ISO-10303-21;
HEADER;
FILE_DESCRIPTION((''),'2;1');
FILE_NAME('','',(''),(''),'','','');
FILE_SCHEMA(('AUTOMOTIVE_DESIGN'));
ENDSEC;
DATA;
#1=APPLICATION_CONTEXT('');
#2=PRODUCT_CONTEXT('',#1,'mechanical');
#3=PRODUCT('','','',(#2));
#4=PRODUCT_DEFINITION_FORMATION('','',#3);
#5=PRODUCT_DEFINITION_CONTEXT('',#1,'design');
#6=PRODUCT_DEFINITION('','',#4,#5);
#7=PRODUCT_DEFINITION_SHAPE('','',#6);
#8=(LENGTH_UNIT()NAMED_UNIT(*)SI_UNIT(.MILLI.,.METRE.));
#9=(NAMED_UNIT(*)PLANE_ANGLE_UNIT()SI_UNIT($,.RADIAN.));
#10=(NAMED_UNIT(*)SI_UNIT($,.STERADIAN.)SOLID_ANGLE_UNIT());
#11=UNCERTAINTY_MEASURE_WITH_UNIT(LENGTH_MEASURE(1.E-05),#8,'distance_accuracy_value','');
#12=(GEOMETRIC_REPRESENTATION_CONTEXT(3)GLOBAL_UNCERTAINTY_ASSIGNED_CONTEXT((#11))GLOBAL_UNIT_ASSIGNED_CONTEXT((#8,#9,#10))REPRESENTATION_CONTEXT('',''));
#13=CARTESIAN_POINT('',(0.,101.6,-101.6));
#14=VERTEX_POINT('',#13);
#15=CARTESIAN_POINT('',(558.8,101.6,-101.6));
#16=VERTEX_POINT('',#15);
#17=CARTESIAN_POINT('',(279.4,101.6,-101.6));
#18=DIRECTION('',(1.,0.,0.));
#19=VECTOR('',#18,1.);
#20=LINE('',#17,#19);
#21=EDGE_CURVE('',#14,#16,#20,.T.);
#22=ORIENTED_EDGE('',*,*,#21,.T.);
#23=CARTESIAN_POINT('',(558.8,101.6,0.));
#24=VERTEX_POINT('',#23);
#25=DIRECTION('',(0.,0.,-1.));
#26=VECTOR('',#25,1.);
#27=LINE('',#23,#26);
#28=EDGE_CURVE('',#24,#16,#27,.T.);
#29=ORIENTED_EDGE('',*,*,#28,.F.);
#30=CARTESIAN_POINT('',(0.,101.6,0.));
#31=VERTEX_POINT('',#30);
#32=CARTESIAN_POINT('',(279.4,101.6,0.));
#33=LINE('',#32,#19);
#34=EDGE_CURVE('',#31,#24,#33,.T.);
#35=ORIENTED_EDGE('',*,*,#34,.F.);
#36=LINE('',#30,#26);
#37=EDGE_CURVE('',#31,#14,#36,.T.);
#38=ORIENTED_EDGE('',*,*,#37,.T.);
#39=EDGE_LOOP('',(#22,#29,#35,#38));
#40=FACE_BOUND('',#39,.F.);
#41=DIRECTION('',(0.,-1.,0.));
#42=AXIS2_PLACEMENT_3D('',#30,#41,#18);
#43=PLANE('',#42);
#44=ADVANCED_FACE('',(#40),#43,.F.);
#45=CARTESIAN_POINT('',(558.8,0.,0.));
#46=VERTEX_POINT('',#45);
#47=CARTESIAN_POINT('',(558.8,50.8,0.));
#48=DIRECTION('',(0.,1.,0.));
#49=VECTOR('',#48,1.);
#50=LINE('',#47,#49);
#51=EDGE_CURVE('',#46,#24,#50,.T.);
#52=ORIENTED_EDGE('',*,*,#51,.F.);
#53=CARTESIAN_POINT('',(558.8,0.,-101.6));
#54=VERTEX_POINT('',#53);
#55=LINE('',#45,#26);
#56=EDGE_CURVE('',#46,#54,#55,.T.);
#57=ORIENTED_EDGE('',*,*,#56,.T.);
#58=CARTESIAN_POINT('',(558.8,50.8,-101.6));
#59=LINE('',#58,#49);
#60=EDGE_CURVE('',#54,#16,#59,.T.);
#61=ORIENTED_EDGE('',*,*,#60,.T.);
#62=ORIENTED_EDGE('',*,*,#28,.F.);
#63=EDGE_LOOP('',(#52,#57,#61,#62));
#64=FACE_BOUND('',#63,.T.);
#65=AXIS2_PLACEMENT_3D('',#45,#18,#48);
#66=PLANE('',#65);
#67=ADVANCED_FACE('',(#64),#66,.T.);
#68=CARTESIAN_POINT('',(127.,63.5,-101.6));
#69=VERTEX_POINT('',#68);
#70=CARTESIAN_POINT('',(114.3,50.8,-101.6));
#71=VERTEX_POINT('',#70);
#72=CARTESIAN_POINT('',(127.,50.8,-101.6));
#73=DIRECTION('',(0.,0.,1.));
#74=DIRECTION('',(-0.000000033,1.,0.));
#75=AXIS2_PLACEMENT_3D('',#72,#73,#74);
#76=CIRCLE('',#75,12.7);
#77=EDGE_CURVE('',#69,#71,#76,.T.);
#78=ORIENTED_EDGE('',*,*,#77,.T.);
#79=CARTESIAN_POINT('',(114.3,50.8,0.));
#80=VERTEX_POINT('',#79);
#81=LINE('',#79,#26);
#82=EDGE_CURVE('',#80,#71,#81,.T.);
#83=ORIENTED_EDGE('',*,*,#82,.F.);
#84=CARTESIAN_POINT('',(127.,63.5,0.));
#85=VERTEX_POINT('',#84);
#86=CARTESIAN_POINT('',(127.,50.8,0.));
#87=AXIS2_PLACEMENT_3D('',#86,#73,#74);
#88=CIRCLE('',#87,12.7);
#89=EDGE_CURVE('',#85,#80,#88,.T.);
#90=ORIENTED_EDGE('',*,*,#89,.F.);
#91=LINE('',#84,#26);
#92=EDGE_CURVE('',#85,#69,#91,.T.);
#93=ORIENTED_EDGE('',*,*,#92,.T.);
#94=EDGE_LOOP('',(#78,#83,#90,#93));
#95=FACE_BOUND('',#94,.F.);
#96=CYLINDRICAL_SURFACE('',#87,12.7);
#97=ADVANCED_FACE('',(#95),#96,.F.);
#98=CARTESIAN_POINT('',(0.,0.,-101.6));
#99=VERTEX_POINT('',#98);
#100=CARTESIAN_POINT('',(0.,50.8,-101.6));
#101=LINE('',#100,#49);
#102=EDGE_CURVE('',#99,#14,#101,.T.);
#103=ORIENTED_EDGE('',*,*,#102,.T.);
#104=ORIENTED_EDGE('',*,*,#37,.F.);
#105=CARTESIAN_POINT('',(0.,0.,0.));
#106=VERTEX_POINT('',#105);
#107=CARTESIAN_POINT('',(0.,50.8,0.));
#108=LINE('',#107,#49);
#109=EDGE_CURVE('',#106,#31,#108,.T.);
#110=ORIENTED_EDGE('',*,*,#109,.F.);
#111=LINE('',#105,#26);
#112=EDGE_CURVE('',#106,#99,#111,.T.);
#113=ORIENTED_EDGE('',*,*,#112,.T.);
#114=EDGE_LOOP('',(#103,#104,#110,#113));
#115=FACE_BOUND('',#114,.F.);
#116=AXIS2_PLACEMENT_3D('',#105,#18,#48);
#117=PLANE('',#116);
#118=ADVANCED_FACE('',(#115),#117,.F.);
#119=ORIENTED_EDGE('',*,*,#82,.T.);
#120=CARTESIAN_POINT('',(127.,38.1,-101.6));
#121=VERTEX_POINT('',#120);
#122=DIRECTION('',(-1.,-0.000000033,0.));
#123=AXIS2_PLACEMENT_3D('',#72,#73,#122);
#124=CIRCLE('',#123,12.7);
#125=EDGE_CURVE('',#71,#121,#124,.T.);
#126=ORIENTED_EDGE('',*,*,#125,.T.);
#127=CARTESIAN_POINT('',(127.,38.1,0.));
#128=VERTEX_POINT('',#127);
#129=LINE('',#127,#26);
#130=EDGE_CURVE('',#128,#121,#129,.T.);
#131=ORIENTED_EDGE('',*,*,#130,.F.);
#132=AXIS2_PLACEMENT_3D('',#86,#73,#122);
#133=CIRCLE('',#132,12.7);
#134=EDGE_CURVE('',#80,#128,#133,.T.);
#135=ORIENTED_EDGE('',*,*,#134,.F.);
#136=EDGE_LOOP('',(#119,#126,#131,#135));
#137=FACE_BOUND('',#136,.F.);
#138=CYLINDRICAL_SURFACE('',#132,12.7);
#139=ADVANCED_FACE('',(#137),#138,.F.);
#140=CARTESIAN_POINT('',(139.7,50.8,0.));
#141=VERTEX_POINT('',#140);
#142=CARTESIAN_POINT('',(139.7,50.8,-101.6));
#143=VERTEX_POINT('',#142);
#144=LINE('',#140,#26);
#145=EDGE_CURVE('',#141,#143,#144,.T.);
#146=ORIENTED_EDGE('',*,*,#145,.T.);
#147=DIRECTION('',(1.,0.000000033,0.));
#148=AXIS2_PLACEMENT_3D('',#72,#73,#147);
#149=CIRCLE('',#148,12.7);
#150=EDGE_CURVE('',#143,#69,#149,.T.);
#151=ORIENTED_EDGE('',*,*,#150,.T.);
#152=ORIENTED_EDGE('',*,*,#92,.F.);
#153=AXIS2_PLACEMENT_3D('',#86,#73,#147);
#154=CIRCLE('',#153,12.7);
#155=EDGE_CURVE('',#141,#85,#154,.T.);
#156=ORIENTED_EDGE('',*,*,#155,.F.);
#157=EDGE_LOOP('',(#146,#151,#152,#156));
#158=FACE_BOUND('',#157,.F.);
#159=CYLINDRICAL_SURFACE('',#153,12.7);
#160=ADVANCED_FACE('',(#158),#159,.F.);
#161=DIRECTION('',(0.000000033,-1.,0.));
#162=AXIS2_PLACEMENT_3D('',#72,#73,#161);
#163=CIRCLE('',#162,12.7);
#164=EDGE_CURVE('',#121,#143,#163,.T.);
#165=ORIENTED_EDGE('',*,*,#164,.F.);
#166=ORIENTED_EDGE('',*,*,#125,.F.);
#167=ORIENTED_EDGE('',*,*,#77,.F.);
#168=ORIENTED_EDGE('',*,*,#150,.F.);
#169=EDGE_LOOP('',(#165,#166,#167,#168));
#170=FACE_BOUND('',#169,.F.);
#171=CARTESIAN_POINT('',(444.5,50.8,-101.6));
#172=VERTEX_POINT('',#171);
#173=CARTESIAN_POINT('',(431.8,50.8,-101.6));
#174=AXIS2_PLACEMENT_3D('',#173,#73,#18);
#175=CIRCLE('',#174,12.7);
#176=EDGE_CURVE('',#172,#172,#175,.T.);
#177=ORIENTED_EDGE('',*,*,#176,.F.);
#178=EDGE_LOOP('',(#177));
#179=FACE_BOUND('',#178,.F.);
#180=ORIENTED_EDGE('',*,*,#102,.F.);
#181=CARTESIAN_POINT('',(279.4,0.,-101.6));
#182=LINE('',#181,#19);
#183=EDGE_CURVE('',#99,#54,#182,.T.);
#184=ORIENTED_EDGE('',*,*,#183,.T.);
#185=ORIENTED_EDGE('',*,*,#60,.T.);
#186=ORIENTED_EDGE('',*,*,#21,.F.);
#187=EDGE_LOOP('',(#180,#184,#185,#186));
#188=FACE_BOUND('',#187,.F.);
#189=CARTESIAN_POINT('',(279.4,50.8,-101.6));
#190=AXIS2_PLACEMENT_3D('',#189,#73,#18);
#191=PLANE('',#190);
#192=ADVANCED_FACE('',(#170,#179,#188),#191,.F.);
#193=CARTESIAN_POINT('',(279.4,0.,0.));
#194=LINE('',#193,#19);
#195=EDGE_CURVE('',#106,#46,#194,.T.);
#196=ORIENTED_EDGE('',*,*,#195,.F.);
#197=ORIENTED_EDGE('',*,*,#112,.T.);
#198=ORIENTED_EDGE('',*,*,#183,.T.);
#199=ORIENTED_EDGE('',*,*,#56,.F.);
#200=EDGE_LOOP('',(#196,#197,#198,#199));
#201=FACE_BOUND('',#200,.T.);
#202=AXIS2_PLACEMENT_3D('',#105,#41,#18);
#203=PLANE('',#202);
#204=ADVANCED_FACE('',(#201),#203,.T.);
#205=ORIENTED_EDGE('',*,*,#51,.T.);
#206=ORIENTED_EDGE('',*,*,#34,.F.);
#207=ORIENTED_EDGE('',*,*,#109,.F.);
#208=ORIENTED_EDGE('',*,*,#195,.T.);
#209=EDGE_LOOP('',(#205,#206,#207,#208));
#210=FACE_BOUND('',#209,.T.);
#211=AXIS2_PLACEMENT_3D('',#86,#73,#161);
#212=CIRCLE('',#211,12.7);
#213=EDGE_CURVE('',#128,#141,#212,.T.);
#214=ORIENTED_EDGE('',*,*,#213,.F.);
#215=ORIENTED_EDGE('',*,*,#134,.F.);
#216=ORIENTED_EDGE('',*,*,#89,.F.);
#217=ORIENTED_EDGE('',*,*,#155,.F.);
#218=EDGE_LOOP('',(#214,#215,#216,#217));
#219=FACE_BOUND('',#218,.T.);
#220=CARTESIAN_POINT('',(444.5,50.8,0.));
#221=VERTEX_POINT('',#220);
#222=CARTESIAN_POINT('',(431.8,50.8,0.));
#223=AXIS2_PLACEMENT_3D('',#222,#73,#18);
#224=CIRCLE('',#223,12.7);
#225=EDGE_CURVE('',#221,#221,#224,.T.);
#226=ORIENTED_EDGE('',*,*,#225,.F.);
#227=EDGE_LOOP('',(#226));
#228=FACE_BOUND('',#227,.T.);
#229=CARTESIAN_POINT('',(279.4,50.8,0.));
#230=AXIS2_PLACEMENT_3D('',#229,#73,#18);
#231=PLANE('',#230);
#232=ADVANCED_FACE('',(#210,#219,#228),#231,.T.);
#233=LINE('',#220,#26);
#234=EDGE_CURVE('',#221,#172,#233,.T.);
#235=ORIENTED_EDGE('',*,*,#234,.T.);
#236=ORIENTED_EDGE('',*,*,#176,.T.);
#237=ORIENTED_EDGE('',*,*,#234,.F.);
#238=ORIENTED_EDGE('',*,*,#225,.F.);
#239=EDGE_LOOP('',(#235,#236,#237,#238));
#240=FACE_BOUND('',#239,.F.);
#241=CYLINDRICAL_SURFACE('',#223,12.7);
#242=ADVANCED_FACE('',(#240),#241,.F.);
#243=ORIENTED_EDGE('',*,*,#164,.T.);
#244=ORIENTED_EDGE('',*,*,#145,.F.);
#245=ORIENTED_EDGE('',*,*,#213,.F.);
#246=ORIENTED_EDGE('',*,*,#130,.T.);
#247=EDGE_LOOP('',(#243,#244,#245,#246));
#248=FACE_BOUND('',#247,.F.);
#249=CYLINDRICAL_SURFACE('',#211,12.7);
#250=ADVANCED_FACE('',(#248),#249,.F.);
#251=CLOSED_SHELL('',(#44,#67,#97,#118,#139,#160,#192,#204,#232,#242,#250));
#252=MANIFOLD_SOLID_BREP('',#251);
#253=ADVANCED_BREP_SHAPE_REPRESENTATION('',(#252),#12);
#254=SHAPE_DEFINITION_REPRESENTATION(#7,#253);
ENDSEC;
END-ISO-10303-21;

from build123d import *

# Parameters (mm, degrees)
F0_W     = 558.8
F0_H     = 101.6
F1_DEPTH = 101.6
F2_R     = 12.7
F3_DEPTH = 101.601


with BuildPart() as f1:
    # F0 (on Top) → F1 (new body)
    with BuildSketch(Plane.XY):
        with Locations((279.4, 50.8)):
            Rectangle(F0_W, F0_H)
    extrude(amount=-F1_DEPTH)

    # F2 (on face) → F3 (cut, through all)
    with BuildSketch(Plane.XY):
        with BuildLine():
            ThreePointArc((127, 38.1), (135.980256, 41.819744), (139.7, 50.8))
            ThreePointArc((139.7, 50.8), (135.980256, 59.780256), (127, 63.5))
            ThreePointArc((127, 63.5), (118.019744, 59.780256), (114.3, 50.8))
            ThreePointArc((114.3, 50.8), (118.019744, 41.819744), (127, 38.1))
        make_face()
        with Locations((431.8, 50.8)):
            Circle(F2_R)
    extrude(amount=-F3_DEPTH, mode=Mode.SUBTRACT)


solid = f1.part
